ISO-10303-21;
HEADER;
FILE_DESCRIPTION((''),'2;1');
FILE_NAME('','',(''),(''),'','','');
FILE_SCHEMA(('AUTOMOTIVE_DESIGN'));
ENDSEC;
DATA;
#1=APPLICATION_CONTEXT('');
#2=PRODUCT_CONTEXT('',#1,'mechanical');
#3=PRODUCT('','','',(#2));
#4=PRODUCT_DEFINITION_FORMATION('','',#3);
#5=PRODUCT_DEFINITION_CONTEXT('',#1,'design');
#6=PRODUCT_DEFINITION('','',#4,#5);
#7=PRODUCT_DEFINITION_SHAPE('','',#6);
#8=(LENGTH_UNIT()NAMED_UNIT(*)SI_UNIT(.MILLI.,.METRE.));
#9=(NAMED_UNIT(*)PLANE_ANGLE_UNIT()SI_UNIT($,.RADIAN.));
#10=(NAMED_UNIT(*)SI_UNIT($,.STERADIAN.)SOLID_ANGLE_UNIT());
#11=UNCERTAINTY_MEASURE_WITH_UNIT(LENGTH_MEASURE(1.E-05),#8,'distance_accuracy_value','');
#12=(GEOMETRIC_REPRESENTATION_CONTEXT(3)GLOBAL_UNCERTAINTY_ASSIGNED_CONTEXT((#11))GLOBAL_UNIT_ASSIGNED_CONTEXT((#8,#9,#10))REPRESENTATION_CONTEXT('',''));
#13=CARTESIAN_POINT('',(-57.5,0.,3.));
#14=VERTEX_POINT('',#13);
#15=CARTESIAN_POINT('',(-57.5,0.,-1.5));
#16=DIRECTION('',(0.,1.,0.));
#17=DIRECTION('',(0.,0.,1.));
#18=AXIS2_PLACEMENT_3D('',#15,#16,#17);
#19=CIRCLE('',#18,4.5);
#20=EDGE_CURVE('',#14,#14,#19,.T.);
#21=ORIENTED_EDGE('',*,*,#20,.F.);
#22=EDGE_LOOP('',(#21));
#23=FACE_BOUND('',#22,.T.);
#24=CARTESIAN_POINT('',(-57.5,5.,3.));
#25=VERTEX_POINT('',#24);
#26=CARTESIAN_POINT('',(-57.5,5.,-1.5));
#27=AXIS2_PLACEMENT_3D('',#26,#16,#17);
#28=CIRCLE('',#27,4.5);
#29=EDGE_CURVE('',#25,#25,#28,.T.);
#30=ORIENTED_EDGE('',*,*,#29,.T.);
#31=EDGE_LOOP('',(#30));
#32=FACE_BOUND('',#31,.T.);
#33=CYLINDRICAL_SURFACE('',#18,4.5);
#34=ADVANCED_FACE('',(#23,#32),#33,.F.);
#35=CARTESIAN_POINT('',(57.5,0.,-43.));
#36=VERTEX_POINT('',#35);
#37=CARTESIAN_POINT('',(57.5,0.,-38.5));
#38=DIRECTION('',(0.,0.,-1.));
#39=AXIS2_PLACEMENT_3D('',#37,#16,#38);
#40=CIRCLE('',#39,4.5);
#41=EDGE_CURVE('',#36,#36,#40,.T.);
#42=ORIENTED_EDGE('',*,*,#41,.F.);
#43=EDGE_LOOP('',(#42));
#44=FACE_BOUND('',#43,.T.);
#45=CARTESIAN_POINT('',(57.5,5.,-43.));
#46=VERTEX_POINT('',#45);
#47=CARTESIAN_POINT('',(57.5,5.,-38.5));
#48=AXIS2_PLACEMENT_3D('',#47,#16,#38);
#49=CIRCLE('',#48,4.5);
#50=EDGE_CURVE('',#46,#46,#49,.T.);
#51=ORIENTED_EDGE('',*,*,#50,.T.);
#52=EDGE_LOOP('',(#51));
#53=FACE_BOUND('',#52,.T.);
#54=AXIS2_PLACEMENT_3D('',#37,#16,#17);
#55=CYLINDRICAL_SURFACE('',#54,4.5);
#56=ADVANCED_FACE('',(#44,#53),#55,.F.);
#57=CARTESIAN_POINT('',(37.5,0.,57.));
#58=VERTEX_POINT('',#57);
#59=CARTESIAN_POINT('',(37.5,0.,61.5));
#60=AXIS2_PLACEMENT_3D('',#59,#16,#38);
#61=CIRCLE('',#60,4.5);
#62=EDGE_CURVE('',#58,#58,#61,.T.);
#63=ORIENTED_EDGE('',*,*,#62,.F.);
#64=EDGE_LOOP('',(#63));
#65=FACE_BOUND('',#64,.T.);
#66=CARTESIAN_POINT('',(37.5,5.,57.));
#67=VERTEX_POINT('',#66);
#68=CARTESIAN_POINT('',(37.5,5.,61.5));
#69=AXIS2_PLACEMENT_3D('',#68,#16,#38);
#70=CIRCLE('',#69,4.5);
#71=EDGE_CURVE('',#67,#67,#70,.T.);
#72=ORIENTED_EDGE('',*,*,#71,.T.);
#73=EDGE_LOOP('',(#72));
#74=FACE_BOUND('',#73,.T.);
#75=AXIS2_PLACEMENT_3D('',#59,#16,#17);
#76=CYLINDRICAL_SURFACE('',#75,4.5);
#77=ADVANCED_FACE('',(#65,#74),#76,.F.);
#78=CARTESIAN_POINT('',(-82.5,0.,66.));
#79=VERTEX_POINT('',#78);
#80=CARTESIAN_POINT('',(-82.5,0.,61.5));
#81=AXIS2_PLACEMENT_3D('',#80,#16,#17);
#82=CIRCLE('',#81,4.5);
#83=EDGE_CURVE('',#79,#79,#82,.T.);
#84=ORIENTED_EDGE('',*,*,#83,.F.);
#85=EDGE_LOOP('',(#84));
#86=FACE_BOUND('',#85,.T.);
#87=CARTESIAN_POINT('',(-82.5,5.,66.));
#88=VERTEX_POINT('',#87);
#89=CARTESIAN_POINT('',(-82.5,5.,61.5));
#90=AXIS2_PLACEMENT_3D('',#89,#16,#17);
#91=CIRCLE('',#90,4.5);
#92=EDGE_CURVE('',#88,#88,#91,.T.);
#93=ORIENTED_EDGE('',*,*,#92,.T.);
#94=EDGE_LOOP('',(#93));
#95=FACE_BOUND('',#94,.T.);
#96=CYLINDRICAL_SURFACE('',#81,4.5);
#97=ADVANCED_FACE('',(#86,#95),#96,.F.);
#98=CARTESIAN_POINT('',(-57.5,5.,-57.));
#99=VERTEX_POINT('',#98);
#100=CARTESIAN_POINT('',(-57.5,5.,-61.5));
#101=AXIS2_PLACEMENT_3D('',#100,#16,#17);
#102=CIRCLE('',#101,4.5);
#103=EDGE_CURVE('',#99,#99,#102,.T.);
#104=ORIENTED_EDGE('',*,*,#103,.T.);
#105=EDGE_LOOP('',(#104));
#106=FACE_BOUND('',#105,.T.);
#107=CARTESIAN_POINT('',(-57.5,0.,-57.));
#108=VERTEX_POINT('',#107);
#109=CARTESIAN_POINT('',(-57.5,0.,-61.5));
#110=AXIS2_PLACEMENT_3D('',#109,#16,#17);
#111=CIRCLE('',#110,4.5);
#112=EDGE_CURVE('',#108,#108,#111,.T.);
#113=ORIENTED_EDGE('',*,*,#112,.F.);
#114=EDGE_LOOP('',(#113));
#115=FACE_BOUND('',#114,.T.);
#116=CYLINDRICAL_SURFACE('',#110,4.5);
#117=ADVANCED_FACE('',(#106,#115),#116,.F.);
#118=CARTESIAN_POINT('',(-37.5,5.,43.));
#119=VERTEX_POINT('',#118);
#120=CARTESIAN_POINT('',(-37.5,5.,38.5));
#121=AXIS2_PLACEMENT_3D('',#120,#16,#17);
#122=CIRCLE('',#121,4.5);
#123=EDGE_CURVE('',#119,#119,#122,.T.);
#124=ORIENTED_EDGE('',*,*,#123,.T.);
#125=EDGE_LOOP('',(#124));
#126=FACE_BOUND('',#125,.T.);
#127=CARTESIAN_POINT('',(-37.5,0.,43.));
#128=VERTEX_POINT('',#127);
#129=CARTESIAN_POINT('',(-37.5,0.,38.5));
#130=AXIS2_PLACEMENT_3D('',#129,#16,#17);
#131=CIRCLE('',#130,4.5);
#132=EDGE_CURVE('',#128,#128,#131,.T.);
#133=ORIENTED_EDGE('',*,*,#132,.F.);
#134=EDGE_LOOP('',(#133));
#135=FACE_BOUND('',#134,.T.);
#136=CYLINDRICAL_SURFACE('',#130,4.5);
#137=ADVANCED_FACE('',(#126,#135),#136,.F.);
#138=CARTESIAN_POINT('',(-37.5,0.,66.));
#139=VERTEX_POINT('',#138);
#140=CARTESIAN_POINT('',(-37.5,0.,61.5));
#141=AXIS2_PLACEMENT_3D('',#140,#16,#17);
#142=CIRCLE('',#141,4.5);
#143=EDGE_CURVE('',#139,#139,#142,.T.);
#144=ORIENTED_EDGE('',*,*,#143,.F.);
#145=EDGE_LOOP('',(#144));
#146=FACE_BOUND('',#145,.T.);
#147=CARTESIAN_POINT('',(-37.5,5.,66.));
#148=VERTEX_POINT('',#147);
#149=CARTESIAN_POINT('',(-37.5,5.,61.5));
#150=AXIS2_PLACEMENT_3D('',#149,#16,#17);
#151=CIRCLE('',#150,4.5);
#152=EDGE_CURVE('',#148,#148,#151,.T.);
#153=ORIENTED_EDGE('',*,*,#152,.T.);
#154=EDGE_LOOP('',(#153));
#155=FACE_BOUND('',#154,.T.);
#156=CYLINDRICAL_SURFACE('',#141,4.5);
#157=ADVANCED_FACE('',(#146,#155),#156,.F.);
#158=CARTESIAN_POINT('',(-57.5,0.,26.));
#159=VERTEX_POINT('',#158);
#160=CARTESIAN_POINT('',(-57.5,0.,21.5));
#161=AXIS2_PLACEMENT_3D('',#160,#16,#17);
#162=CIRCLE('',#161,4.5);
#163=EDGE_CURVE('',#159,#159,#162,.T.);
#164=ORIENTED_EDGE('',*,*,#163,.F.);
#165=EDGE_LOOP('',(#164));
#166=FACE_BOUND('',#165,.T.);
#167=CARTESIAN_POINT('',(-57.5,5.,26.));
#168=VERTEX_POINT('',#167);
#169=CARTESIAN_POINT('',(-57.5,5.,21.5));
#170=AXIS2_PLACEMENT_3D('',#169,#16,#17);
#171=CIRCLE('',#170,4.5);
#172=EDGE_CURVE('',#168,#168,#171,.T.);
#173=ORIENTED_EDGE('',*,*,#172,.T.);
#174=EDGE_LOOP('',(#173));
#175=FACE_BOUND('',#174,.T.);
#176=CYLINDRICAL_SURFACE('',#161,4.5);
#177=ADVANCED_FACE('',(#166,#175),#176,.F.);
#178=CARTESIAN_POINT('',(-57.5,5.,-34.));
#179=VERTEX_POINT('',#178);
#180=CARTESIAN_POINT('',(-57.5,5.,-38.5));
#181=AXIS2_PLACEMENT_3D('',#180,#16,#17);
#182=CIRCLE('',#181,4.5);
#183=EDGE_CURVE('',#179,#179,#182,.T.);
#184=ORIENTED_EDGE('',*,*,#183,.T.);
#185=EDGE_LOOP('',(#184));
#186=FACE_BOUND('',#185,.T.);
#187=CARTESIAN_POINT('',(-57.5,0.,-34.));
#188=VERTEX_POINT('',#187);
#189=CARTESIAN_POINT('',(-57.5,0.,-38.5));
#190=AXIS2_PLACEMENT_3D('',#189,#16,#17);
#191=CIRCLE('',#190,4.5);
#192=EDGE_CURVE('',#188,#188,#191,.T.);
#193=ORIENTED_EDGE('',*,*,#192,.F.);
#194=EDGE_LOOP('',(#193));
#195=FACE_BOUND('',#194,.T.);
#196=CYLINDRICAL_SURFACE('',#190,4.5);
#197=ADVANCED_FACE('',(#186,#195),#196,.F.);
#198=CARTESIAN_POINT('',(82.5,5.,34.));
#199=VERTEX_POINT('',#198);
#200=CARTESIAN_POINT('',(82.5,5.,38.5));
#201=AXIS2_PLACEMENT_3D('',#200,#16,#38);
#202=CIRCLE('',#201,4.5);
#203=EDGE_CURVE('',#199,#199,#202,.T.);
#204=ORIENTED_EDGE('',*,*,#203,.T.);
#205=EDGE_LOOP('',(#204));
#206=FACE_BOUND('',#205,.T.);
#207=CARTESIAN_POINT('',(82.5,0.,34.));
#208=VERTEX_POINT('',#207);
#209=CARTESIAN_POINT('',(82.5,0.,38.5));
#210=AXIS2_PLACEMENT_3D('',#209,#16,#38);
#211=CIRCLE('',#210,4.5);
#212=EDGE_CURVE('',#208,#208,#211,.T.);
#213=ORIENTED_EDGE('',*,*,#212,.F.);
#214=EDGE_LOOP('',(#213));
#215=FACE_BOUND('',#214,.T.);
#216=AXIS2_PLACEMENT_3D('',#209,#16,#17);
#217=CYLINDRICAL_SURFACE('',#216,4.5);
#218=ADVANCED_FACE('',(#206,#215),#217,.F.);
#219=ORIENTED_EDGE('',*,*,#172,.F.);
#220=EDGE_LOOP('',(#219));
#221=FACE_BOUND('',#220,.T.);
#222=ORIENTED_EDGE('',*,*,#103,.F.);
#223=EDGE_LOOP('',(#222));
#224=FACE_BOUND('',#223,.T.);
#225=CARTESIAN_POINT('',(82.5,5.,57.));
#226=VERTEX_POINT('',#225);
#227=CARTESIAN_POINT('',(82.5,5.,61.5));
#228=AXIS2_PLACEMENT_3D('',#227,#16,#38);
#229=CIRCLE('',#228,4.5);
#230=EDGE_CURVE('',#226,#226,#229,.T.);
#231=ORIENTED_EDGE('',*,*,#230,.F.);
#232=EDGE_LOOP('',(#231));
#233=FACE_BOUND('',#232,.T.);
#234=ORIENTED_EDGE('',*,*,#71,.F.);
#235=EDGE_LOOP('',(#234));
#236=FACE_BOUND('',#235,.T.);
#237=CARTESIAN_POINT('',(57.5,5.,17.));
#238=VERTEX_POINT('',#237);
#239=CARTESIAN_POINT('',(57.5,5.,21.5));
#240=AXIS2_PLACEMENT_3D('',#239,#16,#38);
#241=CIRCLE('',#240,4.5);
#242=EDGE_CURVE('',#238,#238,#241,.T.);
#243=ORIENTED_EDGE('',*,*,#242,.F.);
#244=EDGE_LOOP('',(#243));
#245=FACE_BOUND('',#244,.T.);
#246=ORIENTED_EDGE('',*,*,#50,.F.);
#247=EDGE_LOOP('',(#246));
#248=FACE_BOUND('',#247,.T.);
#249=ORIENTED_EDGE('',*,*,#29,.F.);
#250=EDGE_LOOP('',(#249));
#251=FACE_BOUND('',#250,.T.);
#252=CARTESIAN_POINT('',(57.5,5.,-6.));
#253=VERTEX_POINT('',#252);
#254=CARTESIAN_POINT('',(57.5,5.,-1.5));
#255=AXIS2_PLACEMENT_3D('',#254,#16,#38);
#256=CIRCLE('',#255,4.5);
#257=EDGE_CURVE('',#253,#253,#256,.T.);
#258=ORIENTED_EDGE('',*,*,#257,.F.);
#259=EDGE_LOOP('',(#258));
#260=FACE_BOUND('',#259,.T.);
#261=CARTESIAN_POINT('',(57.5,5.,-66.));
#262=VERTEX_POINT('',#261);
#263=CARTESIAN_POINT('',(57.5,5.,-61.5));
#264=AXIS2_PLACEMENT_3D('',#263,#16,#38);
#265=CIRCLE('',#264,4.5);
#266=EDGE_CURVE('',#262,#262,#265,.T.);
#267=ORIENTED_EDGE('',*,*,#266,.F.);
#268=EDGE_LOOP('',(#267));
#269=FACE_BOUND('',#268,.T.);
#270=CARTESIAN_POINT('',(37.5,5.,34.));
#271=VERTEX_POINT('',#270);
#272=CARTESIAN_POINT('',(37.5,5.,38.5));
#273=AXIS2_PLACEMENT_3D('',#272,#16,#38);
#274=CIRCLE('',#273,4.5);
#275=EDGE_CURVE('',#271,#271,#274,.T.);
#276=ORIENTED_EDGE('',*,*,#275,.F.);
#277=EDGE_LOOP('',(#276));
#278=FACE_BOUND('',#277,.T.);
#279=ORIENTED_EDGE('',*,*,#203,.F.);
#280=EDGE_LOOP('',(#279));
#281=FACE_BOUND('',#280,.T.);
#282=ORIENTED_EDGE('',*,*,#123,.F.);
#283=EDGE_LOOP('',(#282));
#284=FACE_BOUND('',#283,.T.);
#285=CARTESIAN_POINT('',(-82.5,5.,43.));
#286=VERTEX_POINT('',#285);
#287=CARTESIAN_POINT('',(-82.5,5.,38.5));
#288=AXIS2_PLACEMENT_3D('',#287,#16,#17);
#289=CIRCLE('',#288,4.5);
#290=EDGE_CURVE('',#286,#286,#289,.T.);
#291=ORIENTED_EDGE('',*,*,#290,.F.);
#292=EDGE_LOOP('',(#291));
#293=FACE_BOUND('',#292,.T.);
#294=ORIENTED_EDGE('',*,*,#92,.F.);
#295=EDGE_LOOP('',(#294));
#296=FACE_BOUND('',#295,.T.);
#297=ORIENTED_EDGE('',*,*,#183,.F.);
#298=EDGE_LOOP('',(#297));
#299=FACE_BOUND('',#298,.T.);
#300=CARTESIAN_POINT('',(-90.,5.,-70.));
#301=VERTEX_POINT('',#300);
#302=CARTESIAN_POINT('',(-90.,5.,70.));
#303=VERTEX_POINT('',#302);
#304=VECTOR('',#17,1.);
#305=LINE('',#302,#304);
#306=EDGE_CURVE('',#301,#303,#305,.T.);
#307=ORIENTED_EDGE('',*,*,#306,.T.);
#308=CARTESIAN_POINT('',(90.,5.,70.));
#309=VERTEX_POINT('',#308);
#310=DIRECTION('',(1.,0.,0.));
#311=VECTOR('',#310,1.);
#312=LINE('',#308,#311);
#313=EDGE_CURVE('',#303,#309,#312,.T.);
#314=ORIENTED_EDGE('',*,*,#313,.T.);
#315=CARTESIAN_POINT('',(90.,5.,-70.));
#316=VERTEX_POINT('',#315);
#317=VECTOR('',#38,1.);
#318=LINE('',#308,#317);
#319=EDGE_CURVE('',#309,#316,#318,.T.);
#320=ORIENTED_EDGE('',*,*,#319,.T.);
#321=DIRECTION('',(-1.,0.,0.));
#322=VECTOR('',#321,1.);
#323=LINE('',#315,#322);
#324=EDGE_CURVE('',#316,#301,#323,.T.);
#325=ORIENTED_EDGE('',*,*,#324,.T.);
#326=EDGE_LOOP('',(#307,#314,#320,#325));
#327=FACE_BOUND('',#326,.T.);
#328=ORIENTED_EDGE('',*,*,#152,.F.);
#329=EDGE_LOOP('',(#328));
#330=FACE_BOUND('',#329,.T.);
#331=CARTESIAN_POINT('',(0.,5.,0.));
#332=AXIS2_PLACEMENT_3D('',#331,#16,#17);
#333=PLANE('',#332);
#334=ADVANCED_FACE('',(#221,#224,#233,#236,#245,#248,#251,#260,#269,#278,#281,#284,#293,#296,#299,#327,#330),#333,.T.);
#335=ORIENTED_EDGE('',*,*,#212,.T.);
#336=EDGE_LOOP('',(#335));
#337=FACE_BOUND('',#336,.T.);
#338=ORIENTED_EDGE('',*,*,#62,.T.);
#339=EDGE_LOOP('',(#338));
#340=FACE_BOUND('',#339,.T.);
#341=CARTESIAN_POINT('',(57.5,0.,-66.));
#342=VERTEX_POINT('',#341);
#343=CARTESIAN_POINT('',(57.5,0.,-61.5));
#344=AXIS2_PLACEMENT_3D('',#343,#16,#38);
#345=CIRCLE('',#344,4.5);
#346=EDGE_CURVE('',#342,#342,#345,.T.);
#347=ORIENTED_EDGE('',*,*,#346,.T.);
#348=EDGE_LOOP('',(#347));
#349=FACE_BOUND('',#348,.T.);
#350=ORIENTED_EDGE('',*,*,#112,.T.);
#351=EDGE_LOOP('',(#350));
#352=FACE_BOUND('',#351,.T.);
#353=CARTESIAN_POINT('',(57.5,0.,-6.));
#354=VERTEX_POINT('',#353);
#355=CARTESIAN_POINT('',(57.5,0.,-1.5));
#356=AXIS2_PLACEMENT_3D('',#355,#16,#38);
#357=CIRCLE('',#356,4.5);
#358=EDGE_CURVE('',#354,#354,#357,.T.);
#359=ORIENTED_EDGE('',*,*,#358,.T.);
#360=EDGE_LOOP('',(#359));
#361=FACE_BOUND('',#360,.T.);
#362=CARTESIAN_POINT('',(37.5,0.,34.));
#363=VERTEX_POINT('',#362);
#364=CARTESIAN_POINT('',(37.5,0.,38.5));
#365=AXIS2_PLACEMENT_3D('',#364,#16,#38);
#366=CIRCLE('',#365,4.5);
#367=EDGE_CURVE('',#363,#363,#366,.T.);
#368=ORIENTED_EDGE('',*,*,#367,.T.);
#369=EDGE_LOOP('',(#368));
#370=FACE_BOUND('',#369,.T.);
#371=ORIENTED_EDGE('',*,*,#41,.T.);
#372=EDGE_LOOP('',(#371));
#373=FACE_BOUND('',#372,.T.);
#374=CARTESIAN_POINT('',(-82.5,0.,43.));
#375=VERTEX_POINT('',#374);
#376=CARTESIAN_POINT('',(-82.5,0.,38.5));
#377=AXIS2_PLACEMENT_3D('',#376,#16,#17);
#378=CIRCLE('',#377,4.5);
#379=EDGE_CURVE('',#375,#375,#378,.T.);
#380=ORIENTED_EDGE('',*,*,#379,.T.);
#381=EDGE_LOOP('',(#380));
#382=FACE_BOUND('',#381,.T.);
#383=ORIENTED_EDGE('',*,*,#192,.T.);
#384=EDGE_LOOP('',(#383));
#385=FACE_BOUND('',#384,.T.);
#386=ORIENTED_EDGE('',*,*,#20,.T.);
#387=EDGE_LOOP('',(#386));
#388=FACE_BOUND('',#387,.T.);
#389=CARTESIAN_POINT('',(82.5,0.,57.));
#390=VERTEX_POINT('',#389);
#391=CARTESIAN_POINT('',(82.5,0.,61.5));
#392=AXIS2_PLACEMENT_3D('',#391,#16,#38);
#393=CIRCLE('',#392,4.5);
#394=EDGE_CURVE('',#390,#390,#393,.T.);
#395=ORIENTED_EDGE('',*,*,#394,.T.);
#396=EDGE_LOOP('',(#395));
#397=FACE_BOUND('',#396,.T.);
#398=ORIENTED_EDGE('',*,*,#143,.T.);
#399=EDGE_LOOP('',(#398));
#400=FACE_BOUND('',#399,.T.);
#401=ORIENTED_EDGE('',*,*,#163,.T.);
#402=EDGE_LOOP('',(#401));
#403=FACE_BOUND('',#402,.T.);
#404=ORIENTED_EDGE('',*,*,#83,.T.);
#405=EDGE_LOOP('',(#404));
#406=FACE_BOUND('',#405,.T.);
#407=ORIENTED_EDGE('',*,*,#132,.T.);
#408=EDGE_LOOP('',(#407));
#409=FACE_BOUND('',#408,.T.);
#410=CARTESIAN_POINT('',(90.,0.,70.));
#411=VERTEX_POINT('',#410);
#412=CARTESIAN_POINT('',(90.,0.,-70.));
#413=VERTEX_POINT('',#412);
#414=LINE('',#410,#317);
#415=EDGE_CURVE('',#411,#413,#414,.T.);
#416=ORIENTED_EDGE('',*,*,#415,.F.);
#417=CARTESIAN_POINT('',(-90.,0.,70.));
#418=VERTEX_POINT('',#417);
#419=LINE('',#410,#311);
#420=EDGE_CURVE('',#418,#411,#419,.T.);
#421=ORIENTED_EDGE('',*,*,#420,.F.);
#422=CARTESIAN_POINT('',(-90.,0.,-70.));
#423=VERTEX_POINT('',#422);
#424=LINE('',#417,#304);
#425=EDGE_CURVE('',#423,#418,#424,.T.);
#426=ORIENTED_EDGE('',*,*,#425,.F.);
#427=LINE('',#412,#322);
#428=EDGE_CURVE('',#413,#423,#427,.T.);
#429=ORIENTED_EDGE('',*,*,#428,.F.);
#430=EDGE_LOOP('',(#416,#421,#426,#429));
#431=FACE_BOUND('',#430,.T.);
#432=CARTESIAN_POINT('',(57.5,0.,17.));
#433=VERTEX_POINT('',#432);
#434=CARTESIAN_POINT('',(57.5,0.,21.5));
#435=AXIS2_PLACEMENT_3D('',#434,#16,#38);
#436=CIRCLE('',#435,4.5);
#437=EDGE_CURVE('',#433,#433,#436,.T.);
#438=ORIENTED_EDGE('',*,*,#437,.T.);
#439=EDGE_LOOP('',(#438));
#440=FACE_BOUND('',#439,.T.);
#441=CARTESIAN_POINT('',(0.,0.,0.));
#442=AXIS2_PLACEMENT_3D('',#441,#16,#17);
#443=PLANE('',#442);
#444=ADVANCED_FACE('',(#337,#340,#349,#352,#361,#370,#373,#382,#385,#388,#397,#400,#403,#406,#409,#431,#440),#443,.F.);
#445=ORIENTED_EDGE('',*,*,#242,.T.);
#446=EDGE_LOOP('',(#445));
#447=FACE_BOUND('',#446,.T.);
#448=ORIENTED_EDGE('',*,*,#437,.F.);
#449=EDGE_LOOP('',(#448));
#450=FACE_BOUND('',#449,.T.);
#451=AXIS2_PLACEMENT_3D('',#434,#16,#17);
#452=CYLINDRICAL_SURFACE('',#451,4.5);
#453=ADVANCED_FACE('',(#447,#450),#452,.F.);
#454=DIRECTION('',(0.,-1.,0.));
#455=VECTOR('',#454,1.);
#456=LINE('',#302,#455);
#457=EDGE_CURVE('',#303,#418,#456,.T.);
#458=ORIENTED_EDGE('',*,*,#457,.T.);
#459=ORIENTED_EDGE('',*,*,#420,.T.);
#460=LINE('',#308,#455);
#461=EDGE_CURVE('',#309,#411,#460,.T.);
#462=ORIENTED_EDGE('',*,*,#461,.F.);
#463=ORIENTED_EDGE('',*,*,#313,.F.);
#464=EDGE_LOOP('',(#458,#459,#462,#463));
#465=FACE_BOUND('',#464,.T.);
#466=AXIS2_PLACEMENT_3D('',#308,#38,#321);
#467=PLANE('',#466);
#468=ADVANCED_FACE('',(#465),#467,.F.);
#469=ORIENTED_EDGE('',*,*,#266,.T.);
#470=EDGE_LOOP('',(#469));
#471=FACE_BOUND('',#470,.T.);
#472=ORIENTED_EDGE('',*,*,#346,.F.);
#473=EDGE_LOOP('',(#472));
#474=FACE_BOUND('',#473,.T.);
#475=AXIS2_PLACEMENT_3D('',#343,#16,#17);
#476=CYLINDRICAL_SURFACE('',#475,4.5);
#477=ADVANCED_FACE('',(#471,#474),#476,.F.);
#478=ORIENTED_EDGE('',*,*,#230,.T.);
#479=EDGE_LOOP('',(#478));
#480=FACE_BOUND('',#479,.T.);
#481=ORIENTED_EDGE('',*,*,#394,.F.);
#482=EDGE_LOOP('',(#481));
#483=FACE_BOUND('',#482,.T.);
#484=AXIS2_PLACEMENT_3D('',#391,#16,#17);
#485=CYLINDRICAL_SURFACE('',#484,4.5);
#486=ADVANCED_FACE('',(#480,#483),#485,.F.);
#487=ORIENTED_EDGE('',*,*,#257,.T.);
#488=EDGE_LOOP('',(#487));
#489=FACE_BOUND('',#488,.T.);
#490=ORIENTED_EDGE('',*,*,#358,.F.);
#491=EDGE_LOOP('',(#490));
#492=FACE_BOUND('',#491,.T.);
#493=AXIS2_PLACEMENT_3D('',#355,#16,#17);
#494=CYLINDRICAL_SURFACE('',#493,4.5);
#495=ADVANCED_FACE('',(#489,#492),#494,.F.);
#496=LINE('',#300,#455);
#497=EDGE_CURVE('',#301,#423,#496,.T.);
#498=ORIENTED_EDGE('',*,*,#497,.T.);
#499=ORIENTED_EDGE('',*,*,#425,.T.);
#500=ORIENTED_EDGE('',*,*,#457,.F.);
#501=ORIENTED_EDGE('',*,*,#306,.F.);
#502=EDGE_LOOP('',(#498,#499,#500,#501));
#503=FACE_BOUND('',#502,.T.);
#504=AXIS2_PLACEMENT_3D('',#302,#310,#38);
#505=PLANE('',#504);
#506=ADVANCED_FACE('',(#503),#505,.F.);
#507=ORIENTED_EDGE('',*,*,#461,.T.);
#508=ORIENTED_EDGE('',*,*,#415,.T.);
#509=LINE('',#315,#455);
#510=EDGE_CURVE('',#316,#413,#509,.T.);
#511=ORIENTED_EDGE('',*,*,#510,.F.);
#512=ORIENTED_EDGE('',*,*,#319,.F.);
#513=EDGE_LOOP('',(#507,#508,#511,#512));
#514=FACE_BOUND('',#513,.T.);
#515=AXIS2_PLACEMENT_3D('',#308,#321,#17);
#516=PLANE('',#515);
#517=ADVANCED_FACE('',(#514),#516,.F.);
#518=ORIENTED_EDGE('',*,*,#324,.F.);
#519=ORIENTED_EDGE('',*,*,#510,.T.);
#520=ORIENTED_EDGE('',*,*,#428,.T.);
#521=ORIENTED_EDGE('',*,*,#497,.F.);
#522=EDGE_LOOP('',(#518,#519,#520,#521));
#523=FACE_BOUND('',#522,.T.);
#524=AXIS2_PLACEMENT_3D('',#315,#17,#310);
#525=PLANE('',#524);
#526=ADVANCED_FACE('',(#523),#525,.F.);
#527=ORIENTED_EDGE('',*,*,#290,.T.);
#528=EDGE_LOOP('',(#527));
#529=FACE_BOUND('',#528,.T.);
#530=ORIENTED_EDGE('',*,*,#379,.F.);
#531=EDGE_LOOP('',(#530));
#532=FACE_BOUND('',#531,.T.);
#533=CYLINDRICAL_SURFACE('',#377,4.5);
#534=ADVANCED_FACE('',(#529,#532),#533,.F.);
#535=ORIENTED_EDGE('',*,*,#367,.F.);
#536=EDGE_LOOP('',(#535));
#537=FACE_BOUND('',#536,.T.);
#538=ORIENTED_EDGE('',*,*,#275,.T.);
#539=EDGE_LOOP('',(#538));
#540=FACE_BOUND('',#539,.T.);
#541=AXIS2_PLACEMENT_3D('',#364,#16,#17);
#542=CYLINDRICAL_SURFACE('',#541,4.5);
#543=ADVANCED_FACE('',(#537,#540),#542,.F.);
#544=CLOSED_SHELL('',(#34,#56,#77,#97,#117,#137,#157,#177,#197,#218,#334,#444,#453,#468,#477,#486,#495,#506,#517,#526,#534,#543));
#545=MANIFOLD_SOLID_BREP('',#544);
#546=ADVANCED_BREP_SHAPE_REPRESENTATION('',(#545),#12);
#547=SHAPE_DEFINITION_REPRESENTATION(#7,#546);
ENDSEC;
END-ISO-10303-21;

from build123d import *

# Parameters (mm, degrees)
SKETCH1_W   = 180
SKETCH1_H   = 140
BODY_DEPTH  = 5
SKETCH2_R   = 4.5
HOLES_DEPTH = 115.127122105


with BuildPart() as part:
    # Sketch1 → Body (new body)
    with BuildSketch(Plane(origin=(0, 0, 0), x_dir=(1, 0, 0), z_dir=(0, 1, 0))):
        Rectangle(SKETCH1_W, SKETCH1_H)
    extrude(amount=BODY_DEPTH)

    # Sketch2 → Holes (cut, through all)
    with BuildSketch(Plane(origin=(0, 5, 0), x_dir=(1, 0, 0), z_dir=(0, 1, 0))):
        with Locations(Location((-57.5, 61.5, 0), (0, 0, 270))):
            Circle(SKETCH2_R)
        with Locations(Location((-57.5, 38.5, 0), (0, 0, 270))):
            Circle(SKETCH2_R)
        with Locations(Location((-57.5, 1.5, 0), (0, 0, 270))):
            Circle(SKETCH2_R)
        with Locations(Location((-57.5, -21.5, 0), (0, 0, 270))):
            Circle(SKETCH2_R)
        with Locations(Location((-82.5, -38.5, 0), (0, 0, 270))):
            Circle(SKETCH2_R)
        with Locations(Location((-82.5, -61.5, 0), (0, 0, 270))):
            Circle(SKETCH2_R)
        with Locations(Location((-37.5, -61.5, 0), (0, 0, 270))):
            Circle(SKETCH2_R)
        with Locations(Location((-37.5, -38.5, 0), (0, 0, 270))):
            Circle(SKETCH2_R)
        with Locations(Location((37.5, -38.5, 0), (0, 0, 90))):
            Circle(SKETCH2_R)
        with Locations(Location((37.5, -61.5, 0), (0, 0, 90))):
            Circle(SKETCH2_R)
        with Locations(Location((82.5, -61.5, 0), (0, 0, 90))):
            Circle(SKETCH2_R)
        with Locations(Location((82.5, -38.5, 0), (0, 0, 90))):
            Circle(SKETCH2_R)
        with Locations(Location((57.5, -21.5, 0), (0, 0, 90))):
            Circle(SKETCH2_R)
        with Locations(Location((57.5, 1.5, 0), (0, 0, 90))):
            Circle(SKETCH2_R)
        with Locations(Location((57.5, 38.5, 0), (0, 0, 90))):
            Circle(SKETCH2_R)
        with Locations(Location((57.5, 61.5, 0), (0, 0, 90))):
            Circle(SKETCH2_R)
    extrude(amount=-HOLES_DEPTH, mode=Mode.SUBTRACT)


solid = part.part
